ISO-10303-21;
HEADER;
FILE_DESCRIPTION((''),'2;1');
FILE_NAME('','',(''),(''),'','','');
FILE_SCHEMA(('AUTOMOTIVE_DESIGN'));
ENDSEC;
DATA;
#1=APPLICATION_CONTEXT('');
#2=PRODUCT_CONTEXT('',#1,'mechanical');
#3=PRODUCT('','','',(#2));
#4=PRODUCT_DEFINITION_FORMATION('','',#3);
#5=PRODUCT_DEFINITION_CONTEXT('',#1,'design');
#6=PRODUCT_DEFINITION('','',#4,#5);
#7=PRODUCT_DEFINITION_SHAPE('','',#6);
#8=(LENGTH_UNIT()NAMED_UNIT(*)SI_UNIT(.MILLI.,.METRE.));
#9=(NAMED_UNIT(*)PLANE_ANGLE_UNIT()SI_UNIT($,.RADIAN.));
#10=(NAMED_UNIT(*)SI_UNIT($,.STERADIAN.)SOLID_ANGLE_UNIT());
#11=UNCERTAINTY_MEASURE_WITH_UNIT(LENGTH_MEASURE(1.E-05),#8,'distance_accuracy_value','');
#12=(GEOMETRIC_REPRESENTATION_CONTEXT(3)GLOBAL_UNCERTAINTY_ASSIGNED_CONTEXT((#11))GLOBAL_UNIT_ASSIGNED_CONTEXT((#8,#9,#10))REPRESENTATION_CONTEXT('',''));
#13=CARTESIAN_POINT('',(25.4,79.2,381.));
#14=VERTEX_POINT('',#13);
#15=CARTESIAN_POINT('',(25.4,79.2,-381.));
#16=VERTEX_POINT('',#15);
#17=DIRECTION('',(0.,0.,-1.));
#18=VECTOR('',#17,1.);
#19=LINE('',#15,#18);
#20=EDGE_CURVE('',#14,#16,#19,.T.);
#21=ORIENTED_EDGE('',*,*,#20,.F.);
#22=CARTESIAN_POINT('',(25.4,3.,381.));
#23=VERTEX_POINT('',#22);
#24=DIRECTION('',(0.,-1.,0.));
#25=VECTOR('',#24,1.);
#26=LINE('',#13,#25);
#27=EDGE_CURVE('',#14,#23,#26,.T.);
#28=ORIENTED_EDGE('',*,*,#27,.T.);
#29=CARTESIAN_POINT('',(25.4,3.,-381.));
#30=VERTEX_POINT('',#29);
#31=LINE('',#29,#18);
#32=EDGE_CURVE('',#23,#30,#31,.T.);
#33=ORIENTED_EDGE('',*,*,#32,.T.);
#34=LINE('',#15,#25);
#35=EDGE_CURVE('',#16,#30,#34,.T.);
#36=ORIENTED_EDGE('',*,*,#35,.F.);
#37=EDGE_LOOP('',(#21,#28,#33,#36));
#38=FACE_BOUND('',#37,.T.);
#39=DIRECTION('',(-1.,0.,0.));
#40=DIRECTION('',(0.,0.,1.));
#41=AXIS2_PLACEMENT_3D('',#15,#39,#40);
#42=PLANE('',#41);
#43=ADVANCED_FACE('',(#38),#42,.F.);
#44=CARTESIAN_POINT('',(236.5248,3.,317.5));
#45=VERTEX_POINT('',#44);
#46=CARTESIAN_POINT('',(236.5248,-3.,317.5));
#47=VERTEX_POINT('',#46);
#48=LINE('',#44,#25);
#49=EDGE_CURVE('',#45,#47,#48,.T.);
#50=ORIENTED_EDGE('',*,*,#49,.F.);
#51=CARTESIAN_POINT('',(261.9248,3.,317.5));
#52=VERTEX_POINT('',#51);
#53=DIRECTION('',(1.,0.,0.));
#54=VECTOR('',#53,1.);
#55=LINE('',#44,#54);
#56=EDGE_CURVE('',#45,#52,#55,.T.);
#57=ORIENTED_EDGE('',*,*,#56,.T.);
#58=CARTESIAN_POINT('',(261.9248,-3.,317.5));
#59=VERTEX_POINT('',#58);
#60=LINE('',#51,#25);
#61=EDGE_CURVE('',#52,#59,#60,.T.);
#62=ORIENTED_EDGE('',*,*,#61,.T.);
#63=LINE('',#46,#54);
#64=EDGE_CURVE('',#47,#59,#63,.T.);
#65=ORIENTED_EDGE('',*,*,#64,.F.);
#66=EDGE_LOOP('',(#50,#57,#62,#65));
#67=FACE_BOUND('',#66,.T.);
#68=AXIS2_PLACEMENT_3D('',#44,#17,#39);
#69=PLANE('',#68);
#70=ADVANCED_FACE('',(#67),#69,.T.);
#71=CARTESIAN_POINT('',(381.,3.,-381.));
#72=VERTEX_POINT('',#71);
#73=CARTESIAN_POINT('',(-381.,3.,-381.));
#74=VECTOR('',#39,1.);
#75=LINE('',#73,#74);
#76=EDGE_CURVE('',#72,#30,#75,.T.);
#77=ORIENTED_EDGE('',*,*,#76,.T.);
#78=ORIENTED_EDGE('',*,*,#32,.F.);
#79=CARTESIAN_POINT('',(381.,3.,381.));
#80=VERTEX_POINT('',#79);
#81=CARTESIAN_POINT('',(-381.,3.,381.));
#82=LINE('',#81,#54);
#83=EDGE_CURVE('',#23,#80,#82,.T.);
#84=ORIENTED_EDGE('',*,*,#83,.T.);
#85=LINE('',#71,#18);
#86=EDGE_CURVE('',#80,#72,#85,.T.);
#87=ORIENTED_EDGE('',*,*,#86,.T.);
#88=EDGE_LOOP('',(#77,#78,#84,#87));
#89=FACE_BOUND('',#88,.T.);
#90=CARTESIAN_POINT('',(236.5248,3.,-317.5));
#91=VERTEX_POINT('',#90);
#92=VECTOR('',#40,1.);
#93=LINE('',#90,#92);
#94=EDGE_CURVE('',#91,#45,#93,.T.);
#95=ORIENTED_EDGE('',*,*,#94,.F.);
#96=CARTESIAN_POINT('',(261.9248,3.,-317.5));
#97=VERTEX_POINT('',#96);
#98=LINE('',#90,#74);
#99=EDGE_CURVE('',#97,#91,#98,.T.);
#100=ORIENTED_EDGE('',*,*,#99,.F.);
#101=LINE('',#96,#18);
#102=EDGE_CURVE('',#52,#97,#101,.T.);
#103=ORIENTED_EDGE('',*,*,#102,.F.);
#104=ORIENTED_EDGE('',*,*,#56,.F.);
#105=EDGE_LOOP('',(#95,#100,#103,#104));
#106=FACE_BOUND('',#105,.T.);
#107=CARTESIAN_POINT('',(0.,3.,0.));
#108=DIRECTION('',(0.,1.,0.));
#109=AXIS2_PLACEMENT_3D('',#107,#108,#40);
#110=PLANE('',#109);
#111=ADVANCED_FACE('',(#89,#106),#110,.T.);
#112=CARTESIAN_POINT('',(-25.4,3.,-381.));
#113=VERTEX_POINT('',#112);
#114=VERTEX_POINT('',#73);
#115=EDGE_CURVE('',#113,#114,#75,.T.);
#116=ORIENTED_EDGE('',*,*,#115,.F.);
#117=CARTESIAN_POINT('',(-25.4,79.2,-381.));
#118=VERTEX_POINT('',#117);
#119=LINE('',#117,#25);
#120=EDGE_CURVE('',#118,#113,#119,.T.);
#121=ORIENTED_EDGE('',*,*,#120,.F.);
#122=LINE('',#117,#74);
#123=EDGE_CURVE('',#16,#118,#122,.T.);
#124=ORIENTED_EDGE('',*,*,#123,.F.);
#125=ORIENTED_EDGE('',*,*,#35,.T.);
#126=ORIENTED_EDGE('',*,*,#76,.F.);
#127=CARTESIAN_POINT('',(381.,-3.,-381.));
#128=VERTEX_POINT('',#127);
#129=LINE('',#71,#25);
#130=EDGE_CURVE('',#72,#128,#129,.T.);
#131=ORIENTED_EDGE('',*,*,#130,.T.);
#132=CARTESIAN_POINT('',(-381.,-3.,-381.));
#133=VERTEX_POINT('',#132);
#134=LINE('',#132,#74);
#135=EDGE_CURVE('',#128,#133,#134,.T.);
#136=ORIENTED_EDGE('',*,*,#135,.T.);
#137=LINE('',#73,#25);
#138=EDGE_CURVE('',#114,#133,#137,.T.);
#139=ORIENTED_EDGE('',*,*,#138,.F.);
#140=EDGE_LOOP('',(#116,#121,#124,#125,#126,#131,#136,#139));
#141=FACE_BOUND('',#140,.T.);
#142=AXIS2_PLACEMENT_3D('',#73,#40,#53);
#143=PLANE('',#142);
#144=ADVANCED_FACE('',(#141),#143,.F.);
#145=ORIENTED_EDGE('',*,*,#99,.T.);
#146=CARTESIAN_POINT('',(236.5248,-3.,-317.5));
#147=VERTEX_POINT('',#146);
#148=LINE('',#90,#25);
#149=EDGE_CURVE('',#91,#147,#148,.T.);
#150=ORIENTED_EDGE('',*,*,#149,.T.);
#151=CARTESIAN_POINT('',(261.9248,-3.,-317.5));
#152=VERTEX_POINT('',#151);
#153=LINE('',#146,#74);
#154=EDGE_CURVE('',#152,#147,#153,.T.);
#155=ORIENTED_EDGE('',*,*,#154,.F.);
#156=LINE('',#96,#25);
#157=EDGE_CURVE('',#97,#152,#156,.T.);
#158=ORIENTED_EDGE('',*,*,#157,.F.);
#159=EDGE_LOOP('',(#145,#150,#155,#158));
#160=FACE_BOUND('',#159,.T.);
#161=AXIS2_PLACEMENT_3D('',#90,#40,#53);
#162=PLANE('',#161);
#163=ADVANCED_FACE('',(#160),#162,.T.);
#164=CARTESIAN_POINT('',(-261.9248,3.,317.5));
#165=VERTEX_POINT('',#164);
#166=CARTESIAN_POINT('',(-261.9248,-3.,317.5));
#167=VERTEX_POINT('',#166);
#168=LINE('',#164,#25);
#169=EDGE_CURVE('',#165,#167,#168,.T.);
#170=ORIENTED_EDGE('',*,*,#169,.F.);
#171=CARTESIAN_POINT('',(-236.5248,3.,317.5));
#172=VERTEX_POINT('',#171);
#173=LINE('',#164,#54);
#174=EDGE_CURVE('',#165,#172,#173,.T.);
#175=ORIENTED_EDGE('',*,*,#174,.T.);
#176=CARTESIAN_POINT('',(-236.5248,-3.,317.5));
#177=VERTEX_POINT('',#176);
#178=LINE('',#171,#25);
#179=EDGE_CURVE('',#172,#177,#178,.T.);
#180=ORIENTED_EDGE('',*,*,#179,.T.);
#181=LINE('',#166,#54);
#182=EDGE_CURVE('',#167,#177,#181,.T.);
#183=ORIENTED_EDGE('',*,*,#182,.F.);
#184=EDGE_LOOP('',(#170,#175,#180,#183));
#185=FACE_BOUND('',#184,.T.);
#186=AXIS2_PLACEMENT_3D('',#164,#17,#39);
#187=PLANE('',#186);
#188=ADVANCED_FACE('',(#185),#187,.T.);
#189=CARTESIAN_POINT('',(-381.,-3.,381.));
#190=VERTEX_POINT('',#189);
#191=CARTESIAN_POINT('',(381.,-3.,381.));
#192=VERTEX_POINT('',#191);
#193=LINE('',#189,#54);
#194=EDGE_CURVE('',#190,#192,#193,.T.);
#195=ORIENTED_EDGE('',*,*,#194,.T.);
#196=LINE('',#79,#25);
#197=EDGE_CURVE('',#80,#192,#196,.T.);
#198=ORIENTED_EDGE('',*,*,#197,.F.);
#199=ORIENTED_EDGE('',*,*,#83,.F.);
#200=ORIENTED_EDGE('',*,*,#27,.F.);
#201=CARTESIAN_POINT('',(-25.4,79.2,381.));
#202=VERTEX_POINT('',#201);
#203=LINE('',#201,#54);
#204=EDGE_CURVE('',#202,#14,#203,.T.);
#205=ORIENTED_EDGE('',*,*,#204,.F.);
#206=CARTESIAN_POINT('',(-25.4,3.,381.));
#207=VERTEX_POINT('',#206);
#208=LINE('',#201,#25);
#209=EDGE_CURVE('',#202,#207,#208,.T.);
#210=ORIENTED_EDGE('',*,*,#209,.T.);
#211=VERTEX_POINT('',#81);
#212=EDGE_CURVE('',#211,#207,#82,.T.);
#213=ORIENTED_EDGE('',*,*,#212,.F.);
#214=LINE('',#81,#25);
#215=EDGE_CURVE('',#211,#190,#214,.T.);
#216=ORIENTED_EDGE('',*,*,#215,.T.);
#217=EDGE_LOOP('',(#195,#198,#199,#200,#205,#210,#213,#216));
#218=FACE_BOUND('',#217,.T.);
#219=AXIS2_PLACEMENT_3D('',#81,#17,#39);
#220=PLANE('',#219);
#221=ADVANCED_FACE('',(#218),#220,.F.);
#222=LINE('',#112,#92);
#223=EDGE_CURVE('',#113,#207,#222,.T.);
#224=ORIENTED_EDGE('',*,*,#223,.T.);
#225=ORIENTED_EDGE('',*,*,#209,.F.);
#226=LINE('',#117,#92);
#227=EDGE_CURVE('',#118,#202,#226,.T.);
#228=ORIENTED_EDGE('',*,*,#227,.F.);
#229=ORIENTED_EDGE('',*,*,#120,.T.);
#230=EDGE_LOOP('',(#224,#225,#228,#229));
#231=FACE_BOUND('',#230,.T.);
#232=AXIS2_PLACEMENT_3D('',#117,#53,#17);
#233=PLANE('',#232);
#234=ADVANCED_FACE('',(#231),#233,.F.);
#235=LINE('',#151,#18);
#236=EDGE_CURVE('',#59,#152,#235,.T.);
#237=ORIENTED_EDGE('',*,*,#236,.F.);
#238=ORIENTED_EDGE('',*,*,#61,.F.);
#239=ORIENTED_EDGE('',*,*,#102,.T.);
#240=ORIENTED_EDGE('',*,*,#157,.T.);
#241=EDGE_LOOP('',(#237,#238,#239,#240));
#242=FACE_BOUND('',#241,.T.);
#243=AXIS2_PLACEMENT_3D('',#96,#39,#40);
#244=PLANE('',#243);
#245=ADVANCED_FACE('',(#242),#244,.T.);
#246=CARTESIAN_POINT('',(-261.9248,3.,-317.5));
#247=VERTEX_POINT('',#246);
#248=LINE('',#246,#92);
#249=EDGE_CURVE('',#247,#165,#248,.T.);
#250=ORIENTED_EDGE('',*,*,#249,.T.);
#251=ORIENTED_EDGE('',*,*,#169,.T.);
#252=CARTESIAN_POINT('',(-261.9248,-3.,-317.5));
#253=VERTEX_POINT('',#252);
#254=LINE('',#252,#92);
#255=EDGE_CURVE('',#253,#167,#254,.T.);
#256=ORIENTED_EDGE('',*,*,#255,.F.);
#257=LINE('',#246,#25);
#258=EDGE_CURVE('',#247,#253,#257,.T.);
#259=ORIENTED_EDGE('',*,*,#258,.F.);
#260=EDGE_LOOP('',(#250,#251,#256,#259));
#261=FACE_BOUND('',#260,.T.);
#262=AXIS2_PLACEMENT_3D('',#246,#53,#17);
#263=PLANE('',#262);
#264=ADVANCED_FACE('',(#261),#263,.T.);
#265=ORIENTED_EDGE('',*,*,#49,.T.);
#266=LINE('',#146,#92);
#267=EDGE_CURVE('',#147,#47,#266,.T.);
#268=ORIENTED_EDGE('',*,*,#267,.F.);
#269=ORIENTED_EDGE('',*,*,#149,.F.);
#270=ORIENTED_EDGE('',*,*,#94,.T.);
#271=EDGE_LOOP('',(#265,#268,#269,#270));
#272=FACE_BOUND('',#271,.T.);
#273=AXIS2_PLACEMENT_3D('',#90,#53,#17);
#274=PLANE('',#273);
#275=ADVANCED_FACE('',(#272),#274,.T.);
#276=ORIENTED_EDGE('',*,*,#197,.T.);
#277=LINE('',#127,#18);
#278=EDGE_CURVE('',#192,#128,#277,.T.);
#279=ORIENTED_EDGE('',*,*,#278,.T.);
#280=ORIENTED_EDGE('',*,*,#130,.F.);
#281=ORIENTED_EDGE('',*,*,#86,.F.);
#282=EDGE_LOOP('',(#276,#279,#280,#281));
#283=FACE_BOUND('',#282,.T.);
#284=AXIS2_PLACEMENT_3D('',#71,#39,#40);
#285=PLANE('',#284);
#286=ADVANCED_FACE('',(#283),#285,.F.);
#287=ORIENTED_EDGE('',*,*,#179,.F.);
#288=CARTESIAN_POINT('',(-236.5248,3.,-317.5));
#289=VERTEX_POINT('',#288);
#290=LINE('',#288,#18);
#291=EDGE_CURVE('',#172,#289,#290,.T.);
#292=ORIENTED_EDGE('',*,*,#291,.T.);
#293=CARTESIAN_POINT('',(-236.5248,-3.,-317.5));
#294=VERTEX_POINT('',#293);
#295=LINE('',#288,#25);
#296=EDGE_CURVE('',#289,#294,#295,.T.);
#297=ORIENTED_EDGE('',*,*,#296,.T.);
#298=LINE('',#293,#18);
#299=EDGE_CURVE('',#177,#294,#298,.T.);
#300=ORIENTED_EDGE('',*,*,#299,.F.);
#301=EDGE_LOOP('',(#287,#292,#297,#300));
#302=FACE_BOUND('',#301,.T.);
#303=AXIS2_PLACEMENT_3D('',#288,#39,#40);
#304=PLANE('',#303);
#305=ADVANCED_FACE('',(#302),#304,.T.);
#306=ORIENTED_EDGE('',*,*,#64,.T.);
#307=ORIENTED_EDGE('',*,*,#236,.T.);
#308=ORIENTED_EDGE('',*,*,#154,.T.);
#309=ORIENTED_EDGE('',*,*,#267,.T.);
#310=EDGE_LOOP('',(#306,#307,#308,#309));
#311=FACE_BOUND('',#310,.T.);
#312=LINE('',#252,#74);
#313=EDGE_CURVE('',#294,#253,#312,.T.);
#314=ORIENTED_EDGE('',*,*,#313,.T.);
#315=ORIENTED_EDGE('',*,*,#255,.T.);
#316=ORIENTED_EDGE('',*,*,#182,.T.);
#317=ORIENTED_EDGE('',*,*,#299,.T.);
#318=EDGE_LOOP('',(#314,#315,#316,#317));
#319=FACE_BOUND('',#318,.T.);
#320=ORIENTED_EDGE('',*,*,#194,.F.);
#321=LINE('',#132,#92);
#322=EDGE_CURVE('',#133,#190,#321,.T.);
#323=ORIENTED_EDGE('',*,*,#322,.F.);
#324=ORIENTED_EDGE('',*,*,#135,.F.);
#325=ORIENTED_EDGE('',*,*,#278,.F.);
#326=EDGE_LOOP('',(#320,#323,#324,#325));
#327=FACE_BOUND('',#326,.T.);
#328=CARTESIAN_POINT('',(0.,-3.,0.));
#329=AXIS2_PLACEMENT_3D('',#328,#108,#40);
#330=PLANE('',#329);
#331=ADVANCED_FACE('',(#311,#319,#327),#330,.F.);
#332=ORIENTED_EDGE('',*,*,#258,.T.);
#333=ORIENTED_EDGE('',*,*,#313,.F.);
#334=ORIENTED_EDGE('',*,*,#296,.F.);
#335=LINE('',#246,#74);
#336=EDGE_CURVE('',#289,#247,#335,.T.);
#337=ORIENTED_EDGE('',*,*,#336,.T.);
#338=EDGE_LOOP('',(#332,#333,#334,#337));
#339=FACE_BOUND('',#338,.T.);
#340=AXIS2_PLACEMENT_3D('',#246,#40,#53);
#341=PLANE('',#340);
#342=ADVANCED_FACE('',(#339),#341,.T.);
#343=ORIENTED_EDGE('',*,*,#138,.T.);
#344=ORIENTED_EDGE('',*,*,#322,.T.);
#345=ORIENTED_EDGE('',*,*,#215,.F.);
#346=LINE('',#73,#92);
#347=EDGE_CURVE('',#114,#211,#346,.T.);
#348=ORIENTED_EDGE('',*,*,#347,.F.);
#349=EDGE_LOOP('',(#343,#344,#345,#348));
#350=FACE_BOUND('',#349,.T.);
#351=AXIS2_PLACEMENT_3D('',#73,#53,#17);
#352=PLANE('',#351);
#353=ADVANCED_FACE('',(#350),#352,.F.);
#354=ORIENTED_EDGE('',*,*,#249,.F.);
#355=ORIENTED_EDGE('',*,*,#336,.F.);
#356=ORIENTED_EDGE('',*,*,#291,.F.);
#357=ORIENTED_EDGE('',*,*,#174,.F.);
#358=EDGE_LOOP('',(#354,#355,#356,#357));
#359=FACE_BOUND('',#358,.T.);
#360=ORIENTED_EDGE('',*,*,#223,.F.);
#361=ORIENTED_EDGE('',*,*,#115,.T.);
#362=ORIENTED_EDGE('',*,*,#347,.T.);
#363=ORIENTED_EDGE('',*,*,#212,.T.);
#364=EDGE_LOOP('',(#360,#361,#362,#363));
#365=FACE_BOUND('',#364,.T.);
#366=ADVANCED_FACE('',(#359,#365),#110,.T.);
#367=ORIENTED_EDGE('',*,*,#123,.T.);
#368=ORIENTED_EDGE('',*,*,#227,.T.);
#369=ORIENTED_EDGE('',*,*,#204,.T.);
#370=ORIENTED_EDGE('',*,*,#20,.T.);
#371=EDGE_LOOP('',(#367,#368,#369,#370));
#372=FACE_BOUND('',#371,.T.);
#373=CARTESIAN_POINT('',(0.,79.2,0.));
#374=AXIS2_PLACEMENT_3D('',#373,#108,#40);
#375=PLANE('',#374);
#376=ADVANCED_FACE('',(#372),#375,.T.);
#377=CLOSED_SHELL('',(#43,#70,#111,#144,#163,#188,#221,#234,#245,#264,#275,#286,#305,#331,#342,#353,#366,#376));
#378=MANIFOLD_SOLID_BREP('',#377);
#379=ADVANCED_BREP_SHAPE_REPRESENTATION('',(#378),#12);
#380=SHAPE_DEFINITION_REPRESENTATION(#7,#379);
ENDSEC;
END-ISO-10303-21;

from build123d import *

# Parameters (mm, degrees)
SKETCH1_W           = 762
SKETCH1_H           = 762
SKETCH1_W_2         = 25.4
SKETCH1_H_2         = 635
BOSS_EXTRUDE1_DEPTH = 3
SKETCH2_W           = 50.8
SKETCH2_H           = 762
BOSS_EXTRUDE2_DEPTH = 76.2


with BuildPart() as part:
    # Sketch1 → Boss-Extrude1 (new, symmetric)
    with BuildSketch(Plane(origin=(0, 0, 0), x_dir=(1, 0, 0), z_dir=(0, 1, 0))):
        Rectangle(SKETCH1_W, SKETCH1_H)
        with Locations((-249.2248, 0)):
            Rectangle(SKETCH1_W_2, SKETCH1_H_2, mode=Mode.SUBTRACT)
        with Locations((249.2248, 0)):
            Rectangle(SKETCH1_W_2, SKETCH1_H_2, mode=Mode.SUBTRACT)
    extrude(amount=BOSS_EXTRUDE1_DEPTH, both=True)

    # Sketch2 → Boss-Extrude2 (add)
    with BuildSketch(Plane(origin=(0, 3, 0), x_dir=(1, 0, 0), z_dir=(0, 1, 0))):
        Rectangle(SKETCH2_W, SKETCH2_H)
    extrude(amount=BOSS_EXTRUDE2_DEPTH)


solid = part.part
